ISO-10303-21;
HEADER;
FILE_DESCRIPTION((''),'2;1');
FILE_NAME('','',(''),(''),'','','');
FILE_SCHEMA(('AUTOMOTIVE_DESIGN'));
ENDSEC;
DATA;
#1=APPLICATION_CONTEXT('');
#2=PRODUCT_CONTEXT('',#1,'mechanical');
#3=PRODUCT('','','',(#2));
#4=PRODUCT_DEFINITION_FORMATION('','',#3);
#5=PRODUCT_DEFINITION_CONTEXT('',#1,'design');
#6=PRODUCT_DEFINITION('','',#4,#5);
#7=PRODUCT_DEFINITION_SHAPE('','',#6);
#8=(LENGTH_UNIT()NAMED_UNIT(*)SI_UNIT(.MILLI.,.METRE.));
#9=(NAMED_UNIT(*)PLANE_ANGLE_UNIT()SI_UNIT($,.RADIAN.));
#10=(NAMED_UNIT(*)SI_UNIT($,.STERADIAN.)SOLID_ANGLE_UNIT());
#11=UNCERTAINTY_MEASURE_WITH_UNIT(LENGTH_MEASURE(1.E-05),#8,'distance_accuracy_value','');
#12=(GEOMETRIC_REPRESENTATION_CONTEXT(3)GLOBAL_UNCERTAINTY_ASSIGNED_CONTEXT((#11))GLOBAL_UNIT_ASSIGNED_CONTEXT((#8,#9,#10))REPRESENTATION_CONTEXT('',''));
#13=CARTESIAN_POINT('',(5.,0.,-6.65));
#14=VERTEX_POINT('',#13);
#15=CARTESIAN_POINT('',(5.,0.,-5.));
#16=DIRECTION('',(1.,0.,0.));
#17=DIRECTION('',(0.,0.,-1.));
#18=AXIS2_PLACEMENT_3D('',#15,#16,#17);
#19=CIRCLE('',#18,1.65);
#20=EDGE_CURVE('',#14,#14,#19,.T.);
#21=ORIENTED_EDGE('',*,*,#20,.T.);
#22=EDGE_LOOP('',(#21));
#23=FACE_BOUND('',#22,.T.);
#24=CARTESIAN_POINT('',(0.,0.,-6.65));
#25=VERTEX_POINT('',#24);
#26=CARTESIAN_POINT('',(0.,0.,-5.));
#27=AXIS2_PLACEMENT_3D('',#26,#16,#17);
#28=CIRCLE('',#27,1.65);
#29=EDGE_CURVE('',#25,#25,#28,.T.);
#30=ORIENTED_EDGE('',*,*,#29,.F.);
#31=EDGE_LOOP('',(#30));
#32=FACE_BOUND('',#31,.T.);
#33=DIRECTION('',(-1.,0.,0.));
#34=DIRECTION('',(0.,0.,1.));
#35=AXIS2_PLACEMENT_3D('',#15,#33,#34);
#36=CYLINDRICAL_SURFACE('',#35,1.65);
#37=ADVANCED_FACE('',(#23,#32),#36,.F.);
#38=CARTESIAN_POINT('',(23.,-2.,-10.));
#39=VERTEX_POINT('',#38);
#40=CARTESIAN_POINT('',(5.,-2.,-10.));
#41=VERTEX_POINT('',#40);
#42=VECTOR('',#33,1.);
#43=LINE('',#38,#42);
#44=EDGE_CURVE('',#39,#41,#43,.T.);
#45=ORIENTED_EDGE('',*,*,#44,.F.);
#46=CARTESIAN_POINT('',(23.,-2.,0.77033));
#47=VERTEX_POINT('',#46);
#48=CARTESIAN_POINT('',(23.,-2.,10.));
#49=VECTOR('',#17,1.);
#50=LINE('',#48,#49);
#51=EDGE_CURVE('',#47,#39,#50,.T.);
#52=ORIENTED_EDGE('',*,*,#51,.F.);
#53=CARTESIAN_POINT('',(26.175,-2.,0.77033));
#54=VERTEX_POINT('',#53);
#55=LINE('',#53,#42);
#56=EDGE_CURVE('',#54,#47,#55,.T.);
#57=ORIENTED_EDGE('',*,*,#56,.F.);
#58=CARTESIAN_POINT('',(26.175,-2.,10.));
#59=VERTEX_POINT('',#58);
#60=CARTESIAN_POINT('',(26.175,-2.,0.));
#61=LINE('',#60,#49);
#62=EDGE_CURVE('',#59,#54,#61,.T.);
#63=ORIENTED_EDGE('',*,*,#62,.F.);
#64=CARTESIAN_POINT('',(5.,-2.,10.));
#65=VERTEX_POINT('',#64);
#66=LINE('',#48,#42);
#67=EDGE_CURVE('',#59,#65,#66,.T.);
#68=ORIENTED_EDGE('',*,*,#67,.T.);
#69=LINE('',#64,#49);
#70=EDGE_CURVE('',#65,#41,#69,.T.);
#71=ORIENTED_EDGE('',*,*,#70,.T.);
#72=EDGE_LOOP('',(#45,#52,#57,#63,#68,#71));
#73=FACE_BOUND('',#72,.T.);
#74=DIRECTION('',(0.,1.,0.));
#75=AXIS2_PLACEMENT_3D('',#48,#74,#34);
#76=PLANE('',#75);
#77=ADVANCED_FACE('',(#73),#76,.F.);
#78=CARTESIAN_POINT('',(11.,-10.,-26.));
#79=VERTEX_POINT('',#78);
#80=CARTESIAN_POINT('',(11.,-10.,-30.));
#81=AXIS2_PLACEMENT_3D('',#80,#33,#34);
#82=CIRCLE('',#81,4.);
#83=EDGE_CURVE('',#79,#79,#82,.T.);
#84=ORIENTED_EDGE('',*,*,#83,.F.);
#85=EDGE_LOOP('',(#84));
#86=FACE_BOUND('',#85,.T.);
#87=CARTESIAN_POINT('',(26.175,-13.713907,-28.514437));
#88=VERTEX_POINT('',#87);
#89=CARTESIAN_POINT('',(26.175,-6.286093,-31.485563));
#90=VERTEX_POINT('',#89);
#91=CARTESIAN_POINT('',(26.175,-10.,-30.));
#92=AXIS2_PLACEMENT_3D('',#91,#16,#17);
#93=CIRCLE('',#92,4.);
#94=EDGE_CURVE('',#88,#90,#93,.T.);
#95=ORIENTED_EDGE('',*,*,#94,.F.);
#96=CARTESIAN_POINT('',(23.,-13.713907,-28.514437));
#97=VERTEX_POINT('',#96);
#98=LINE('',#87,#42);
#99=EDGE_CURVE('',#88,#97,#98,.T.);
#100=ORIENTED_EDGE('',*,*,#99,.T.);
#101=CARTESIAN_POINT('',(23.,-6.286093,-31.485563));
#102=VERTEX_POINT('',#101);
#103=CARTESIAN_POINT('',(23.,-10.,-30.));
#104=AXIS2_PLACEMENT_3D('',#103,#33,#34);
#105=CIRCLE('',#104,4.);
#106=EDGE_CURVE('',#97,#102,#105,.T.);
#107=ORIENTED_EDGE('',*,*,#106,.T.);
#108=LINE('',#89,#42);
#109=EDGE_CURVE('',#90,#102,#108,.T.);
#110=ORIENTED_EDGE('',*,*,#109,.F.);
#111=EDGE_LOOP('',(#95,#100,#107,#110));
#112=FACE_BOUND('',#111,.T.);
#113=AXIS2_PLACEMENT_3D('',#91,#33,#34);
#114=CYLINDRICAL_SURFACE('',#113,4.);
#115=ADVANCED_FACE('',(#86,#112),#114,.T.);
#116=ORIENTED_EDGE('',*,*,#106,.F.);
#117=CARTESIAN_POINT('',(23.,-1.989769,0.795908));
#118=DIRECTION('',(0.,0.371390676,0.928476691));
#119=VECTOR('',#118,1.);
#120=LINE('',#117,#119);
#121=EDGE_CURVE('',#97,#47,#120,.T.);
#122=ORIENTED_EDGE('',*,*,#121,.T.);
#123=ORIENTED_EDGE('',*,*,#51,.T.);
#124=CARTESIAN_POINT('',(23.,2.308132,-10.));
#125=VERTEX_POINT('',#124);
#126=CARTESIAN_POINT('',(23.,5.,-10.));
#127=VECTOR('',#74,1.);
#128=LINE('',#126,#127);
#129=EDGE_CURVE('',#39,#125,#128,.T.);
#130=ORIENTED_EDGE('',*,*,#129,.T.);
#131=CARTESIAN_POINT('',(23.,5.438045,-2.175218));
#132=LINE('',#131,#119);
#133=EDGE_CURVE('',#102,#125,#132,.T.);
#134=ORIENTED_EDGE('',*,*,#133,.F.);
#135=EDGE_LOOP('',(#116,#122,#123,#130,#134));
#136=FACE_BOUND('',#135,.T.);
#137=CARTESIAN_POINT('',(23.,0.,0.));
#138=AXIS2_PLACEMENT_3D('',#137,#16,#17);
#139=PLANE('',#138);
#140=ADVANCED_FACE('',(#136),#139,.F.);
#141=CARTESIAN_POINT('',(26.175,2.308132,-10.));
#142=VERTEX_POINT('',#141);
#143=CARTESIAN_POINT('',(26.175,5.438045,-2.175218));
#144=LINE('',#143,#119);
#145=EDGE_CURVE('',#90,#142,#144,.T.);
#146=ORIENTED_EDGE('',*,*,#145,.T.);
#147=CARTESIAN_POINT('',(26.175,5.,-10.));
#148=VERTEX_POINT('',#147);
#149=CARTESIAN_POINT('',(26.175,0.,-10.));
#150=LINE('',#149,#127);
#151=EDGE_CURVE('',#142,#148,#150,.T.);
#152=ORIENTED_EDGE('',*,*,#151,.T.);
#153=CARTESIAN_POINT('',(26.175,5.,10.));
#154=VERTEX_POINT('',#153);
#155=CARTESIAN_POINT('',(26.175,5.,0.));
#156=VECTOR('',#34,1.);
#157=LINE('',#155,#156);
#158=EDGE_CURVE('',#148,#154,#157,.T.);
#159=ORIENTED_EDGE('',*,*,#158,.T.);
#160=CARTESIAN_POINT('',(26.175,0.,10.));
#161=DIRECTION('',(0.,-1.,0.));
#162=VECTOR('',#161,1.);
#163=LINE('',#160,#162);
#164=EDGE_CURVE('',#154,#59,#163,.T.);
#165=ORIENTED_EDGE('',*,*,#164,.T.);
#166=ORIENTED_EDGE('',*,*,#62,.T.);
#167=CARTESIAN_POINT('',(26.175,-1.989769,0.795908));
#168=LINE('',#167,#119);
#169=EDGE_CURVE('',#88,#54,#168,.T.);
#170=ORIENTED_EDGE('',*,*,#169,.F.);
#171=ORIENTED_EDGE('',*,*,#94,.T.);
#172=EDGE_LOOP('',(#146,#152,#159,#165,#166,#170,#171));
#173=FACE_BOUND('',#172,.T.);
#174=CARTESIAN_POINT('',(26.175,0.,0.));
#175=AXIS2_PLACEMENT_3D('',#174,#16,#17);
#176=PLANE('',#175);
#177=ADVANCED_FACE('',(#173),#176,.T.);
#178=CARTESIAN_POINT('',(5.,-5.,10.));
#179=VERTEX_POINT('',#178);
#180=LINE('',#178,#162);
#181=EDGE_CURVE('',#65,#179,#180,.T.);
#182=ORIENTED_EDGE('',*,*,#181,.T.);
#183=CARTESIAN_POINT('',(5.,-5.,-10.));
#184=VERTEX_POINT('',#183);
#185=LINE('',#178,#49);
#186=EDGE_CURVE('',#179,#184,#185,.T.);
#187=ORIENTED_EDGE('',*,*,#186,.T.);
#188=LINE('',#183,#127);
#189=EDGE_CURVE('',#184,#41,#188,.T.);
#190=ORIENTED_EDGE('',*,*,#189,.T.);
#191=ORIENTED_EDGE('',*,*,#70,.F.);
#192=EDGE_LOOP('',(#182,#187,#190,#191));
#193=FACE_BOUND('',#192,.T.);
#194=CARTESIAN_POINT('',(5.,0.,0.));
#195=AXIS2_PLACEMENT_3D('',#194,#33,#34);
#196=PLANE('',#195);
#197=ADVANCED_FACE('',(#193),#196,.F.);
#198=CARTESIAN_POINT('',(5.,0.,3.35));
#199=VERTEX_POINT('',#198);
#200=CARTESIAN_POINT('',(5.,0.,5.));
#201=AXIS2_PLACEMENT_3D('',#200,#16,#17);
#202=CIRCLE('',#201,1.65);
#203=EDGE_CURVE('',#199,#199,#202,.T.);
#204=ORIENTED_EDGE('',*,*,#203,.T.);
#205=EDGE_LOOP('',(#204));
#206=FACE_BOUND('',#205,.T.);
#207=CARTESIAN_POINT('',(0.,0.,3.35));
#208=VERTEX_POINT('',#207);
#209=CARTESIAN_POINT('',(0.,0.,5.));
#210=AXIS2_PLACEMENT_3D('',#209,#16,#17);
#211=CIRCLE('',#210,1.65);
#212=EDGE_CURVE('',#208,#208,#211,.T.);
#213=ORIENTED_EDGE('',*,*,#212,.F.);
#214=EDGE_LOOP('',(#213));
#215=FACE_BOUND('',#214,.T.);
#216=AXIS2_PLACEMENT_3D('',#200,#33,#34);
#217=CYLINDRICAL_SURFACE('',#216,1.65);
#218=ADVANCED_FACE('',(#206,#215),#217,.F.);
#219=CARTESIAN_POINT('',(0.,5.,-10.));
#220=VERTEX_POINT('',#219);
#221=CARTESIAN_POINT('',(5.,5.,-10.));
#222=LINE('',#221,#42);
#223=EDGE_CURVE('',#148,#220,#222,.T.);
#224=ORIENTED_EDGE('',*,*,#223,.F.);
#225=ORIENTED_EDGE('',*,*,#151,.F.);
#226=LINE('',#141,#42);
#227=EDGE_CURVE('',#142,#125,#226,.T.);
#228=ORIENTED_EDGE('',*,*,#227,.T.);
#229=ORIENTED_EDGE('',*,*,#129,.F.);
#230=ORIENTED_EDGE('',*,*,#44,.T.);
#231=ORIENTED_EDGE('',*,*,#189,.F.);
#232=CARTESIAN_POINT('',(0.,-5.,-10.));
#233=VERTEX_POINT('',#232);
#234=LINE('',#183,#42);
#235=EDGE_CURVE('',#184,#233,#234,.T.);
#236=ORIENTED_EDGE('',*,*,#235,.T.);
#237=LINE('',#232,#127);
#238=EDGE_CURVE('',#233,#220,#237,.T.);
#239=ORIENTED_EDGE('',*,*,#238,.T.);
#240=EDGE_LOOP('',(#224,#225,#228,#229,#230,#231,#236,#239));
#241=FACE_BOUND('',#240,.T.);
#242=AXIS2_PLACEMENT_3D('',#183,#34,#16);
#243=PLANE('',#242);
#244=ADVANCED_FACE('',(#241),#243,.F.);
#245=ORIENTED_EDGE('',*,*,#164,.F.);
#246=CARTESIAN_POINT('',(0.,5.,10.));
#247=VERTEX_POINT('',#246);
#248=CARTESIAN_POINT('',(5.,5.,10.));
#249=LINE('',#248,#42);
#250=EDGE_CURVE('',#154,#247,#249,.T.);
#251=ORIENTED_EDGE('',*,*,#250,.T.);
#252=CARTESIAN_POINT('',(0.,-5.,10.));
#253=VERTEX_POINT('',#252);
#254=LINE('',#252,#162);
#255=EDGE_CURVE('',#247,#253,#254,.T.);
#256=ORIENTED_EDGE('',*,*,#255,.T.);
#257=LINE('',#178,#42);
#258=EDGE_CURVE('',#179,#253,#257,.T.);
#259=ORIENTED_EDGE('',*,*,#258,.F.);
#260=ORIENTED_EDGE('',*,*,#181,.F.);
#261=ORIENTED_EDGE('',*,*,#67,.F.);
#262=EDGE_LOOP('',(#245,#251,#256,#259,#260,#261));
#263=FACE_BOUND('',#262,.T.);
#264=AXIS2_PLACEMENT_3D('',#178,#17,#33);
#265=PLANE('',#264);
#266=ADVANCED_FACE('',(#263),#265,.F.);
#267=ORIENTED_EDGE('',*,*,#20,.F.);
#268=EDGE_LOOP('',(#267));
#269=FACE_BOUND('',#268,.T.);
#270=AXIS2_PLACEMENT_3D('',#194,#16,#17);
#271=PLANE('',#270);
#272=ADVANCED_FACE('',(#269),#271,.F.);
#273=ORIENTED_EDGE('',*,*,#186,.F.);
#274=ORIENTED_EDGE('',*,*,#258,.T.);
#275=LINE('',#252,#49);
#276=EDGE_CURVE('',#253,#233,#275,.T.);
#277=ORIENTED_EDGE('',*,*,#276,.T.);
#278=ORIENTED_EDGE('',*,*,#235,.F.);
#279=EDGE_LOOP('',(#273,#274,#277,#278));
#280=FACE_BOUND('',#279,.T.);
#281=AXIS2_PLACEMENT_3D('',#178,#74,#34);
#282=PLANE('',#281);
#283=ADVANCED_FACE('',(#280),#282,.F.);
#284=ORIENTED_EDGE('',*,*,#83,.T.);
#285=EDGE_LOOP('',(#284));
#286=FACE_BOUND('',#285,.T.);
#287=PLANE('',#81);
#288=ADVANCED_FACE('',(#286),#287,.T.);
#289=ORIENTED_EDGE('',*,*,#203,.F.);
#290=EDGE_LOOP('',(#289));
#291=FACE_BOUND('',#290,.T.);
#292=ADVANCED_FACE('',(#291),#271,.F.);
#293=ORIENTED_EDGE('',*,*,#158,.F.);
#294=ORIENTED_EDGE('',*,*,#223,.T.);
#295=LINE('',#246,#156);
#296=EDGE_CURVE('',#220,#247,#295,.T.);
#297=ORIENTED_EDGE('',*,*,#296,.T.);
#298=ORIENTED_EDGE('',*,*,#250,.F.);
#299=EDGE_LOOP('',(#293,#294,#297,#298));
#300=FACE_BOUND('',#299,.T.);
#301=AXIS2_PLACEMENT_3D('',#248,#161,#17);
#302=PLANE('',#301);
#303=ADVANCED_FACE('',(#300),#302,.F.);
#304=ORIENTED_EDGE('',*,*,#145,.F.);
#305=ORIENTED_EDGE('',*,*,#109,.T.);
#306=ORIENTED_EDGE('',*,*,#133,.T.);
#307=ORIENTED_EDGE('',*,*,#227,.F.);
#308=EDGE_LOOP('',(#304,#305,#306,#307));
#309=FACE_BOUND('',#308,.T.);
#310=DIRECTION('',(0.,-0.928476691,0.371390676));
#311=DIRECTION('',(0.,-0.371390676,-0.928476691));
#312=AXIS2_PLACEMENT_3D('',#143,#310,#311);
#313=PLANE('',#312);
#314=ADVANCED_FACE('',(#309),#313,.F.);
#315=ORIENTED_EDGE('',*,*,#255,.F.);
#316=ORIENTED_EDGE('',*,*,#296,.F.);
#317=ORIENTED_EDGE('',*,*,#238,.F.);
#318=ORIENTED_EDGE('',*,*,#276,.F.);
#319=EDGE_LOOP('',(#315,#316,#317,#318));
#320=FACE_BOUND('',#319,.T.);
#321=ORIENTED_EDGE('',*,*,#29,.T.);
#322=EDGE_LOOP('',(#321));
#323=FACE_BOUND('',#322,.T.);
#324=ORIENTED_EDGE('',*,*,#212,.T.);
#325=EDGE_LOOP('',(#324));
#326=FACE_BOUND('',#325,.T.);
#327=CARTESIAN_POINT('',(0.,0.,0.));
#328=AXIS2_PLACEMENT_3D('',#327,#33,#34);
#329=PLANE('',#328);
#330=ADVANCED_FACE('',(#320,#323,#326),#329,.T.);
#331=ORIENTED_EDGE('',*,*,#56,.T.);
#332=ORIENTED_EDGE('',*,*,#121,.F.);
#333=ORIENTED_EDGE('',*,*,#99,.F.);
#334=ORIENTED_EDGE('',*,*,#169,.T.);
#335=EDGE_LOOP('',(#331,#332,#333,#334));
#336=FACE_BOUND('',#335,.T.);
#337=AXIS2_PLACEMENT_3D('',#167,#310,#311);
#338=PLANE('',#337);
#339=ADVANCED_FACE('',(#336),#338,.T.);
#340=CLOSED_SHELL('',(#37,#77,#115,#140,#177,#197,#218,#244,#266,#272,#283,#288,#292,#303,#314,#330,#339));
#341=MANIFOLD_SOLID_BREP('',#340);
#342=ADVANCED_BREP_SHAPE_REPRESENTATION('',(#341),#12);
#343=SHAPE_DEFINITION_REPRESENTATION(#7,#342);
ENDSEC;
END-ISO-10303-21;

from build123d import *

# Parameters (mm, degrees)
SKETCH1_W           = 20
SKETCH1_H           = 10
SKETCH1_R           = 1.65
BOSS_EXTRUDE1_DEPTH = 5
SKETCH2_W           = 20
SKETCH2_H           = 7
BOSS_EXTRUDE2_DEPTH = 18
BOSS_EXTRUDE3_DEPTH = 3.175
BOSS_EXTRUDE4_START = 12
SKETCH4_R           = 4
BOSS_EXTRUDE4_DEPTH = 12


with BuildPart() as part:
    # Sketch1 → Boss-Extrude1 (new body)
    with BuildSketch(Plane(origin=(0, 0, 0), x_dir=(0, 0, -1), z_dir=(1, 0, 0))):
        Rectangle(SKETCH1_W, SKETCH1_H)
        with Locations((-5, 0)):
            Circle(SKETCH1_R, mode=Mode.SUBTRACT)
        with Locations((5, 0)):
            Circle(SKETCH1_R, mode=Mode.SUBTRACT)
    extrude(amount=BOSS_EXTRUDE1_DEPTH)

    # Sketch2 → Boss-Extrude2 (add)
    with BuildSketch(Plane(origin=(5, 0, 0), x_dir=(0, 0, -1), z_dir=(1, 0, 0))):
        with Locations((0, 1.5)):
            Rectangle(SKETCH2_W, SKETCH2_H)
    extrude(amount=BOSS_EXTRUDE2_DEPTH)

    # Sketch3 → Boss-Extrude3 (add)
    with BuildSketch(Plane(origin=(23, 0, 0), x_dir=(0, 0, -1), z_dir=(1, 0, 0))):
        with BuildLine():
            Line((10, 5), (-10, 5))
            Line((-10, 5), (-10, -2))
            Line((-10, -2), (-0.770329614, -2))
            Line((-0.770329614, -2), (6, -2))
            ThreePointArc((6, -2), (7.171572875, 0.828427125), (10, 2))
            Line((10, 2), (10, 2.308131846))
            Line((10, 2.308131846), (10, 5))
        make_face()
        with BuildLine():
            Line((10, -2), (10, 2))
            ThreePointArc((10, 2), (7.171572875, 0.828427125), (6, -2))
            Line((6, -2), (10, -2))
        make_face()
        with BuildLine():
            ThreePointArc((11.485562705, 1.713906764), (10.756430085, 1.927825547), (10, 2))
            Line((10, 2), (10, -2))
            Line((10, -2), (6, -2))
            ThreePointArc((6, -2), (6.687731078, -4.242515237), (8.514437295, -5.713906764))
            Line((8.514437295, -5.713906764), (28.514437295, -13.713906764))
            ThreePointArc((28.514437295, -13.713906764), (33.713906764, -11.485562705), (31.485562705, -6.286093236))
            Line((31.485562705, -6.286093236), (11.485562705, 1.713906764))
        make_face()
        with BuildLine():
            Line((6, -2), (-0.770329614, -2))
            Line((-0.770329614, -2), (8.514437295, -5.713906764))
            ThreePointArc((8.514437295, -5.713906764), (6.687731078, -4.242515237), (6, -2))
        make_face()
        with BuildLine():
            Line((11.485562705, 1.713906764), (10, 2.308131846))
            Line((10, 2.308131846), (10, 2))
            ThreePointArc((10, 2), (10.756430085, 1.927825547), (11.485562705, 1.713906764))
        make_face()
    extrude(amount=BOSS_EXTRUDE3_DEPTH)

    # Sketch4 → Boss-Extrude4 (add)
    with BuildSketch(Plane.ZY.offset(-23).offset(BOSS_EXTRUDE4_START)):
        with Locations((-30, -10)):
            Circle(SKETCH4_R)
    extrude(amount=-BOSS_EXTRUDE4_DEPTH)


solid = part.part
